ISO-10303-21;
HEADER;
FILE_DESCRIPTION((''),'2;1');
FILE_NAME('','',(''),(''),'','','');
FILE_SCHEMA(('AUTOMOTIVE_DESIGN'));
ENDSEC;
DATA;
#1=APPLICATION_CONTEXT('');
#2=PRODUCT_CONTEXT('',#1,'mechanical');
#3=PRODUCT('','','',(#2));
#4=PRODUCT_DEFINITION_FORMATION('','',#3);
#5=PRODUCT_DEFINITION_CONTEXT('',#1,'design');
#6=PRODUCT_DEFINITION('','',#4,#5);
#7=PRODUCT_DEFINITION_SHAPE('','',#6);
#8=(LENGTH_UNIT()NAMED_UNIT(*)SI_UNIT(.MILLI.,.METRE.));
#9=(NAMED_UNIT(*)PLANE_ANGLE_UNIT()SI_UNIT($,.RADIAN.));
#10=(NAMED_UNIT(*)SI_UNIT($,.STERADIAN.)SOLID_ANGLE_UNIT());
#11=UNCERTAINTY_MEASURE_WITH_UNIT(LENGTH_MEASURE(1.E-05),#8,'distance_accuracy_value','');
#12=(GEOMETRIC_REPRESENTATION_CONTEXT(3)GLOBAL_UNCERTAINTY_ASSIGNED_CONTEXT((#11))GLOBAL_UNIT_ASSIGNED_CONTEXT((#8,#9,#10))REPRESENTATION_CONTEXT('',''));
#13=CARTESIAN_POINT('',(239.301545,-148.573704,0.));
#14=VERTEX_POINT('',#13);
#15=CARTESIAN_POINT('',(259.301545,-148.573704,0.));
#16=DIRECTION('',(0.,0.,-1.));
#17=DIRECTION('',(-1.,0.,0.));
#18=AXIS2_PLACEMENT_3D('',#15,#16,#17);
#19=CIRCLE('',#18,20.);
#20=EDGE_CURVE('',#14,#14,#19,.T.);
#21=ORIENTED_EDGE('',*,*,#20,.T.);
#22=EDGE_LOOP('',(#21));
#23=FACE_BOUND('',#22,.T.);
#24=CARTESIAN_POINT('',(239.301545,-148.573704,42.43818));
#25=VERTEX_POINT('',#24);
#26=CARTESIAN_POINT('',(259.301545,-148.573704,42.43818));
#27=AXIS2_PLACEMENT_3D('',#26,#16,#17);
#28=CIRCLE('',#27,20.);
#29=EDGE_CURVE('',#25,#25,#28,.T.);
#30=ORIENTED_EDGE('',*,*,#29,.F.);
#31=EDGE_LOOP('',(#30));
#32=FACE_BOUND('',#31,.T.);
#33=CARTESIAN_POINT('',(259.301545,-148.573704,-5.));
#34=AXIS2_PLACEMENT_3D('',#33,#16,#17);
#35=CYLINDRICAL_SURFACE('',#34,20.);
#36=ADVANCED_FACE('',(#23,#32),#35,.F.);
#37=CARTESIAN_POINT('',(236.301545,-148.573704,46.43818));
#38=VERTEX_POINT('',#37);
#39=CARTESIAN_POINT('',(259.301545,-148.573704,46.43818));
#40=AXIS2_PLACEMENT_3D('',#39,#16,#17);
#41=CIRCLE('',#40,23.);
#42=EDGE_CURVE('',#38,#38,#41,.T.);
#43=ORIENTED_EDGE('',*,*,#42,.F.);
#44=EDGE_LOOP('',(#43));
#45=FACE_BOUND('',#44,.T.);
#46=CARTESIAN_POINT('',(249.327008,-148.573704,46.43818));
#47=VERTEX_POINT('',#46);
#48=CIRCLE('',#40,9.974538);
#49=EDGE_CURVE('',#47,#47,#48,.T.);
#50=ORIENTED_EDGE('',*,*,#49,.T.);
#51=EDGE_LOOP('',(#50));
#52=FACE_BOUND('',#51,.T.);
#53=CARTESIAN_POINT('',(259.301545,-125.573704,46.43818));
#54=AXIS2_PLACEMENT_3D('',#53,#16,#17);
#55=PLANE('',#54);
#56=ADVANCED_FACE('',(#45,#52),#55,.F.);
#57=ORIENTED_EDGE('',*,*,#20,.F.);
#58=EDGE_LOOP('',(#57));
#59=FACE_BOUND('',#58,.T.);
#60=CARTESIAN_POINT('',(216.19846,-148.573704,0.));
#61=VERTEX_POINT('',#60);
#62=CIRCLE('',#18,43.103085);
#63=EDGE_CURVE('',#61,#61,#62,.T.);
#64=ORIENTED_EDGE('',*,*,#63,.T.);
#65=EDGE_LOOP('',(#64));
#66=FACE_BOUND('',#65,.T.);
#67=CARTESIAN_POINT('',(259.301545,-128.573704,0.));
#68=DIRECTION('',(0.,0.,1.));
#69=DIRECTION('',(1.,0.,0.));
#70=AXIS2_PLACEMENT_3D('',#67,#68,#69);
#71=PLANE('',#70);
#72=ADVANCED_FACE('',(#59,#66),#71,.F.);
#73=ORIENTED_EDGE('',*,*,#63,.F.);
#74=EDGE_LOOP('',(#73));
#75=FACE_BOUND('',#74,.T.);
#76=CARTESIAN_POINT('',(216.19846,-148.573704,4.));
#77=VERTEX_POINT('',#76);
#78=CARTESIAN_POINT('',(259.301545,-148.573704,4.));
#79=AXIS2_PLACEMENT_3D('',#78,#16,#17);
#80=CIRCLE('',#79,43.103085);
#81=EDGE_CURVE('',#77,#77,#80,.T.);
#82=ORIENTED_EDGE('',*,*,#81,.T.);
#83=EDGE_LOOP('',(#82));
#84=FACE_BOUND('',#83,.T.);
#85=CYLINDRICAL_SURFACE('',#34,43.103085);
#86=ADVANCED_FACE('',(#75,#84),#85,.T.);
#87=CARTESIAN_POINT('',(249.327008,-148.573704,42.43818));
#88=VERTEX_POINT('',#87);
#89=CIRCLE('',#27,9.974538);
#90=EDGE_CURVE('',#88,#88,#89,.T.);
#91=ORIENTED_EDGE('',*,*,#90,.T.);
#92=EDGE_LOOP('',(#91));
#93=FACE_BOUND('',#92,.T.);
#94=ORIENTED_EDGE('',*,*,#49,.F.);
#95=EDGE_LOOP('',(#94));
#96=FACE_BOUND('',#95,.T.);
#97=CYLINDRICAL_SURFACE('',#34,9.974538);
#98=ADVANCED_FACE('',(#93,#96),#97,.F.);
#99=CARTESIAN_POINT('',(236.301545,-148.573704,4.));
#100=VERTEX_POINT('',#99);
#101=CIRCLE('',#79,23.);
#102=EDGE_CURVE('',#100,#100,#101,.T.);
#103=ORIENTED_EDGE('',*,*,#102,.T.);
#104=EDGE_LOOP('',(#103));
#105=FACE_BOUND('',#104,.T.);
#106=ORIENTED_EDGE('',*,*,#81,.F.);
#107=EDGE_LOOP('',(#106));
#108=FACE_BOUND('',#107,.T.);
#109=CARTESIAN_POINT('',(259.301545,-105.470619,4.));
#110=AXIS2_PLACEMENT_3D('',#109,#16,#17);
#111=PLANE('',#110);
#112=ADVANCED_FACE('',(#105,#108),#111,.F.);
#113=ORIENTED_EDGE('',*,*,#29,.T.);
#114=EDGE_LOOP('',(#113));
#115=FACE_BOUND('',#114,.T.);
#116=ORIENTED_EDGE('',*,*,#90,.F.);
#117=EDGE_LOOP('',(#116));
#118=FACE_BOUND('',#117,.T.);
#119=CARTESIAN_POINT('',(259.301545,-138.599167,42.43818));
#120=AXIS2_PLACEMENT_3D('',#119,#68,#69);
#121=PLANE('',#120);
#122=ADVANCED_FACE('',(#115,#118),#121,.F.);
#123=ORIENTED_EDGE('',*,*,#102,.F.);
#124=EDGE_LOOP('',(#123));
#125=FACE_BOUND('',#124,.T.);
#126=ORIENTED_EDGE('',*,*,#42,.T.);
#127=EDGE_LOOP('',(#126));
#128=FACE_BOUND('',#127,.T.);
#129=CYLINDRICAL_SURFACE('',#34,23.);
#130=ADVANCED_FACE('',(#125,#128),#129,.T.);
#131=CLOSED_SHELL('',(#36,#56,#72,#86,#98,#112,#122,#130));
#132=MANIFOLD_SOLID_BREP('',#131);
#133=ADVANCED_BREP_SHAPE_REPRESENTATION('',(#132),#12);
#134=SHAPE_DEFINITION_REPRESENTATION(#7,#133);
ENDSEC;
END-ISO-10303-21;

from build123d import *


with BuildPart() as part:
    # Sketch2 → Revolve1 (revolve)
    with BuildSketch(Plane.ZY.offset(-259.301545348)):
        Polygon((4, -105.47061945), (4, -125.573704322), (46.438180449, -125.573704322), (46.438180449, -138.59916661), (42.438180449, -138.59916661), (42.438180449, -128.573704322), (0, -128.573704322), (0, -105.47061945), align=None)
    revolve(axis=Axis((259.301545348, -148.573704322, -5), (0, 0, 1)))


solid = part.part
